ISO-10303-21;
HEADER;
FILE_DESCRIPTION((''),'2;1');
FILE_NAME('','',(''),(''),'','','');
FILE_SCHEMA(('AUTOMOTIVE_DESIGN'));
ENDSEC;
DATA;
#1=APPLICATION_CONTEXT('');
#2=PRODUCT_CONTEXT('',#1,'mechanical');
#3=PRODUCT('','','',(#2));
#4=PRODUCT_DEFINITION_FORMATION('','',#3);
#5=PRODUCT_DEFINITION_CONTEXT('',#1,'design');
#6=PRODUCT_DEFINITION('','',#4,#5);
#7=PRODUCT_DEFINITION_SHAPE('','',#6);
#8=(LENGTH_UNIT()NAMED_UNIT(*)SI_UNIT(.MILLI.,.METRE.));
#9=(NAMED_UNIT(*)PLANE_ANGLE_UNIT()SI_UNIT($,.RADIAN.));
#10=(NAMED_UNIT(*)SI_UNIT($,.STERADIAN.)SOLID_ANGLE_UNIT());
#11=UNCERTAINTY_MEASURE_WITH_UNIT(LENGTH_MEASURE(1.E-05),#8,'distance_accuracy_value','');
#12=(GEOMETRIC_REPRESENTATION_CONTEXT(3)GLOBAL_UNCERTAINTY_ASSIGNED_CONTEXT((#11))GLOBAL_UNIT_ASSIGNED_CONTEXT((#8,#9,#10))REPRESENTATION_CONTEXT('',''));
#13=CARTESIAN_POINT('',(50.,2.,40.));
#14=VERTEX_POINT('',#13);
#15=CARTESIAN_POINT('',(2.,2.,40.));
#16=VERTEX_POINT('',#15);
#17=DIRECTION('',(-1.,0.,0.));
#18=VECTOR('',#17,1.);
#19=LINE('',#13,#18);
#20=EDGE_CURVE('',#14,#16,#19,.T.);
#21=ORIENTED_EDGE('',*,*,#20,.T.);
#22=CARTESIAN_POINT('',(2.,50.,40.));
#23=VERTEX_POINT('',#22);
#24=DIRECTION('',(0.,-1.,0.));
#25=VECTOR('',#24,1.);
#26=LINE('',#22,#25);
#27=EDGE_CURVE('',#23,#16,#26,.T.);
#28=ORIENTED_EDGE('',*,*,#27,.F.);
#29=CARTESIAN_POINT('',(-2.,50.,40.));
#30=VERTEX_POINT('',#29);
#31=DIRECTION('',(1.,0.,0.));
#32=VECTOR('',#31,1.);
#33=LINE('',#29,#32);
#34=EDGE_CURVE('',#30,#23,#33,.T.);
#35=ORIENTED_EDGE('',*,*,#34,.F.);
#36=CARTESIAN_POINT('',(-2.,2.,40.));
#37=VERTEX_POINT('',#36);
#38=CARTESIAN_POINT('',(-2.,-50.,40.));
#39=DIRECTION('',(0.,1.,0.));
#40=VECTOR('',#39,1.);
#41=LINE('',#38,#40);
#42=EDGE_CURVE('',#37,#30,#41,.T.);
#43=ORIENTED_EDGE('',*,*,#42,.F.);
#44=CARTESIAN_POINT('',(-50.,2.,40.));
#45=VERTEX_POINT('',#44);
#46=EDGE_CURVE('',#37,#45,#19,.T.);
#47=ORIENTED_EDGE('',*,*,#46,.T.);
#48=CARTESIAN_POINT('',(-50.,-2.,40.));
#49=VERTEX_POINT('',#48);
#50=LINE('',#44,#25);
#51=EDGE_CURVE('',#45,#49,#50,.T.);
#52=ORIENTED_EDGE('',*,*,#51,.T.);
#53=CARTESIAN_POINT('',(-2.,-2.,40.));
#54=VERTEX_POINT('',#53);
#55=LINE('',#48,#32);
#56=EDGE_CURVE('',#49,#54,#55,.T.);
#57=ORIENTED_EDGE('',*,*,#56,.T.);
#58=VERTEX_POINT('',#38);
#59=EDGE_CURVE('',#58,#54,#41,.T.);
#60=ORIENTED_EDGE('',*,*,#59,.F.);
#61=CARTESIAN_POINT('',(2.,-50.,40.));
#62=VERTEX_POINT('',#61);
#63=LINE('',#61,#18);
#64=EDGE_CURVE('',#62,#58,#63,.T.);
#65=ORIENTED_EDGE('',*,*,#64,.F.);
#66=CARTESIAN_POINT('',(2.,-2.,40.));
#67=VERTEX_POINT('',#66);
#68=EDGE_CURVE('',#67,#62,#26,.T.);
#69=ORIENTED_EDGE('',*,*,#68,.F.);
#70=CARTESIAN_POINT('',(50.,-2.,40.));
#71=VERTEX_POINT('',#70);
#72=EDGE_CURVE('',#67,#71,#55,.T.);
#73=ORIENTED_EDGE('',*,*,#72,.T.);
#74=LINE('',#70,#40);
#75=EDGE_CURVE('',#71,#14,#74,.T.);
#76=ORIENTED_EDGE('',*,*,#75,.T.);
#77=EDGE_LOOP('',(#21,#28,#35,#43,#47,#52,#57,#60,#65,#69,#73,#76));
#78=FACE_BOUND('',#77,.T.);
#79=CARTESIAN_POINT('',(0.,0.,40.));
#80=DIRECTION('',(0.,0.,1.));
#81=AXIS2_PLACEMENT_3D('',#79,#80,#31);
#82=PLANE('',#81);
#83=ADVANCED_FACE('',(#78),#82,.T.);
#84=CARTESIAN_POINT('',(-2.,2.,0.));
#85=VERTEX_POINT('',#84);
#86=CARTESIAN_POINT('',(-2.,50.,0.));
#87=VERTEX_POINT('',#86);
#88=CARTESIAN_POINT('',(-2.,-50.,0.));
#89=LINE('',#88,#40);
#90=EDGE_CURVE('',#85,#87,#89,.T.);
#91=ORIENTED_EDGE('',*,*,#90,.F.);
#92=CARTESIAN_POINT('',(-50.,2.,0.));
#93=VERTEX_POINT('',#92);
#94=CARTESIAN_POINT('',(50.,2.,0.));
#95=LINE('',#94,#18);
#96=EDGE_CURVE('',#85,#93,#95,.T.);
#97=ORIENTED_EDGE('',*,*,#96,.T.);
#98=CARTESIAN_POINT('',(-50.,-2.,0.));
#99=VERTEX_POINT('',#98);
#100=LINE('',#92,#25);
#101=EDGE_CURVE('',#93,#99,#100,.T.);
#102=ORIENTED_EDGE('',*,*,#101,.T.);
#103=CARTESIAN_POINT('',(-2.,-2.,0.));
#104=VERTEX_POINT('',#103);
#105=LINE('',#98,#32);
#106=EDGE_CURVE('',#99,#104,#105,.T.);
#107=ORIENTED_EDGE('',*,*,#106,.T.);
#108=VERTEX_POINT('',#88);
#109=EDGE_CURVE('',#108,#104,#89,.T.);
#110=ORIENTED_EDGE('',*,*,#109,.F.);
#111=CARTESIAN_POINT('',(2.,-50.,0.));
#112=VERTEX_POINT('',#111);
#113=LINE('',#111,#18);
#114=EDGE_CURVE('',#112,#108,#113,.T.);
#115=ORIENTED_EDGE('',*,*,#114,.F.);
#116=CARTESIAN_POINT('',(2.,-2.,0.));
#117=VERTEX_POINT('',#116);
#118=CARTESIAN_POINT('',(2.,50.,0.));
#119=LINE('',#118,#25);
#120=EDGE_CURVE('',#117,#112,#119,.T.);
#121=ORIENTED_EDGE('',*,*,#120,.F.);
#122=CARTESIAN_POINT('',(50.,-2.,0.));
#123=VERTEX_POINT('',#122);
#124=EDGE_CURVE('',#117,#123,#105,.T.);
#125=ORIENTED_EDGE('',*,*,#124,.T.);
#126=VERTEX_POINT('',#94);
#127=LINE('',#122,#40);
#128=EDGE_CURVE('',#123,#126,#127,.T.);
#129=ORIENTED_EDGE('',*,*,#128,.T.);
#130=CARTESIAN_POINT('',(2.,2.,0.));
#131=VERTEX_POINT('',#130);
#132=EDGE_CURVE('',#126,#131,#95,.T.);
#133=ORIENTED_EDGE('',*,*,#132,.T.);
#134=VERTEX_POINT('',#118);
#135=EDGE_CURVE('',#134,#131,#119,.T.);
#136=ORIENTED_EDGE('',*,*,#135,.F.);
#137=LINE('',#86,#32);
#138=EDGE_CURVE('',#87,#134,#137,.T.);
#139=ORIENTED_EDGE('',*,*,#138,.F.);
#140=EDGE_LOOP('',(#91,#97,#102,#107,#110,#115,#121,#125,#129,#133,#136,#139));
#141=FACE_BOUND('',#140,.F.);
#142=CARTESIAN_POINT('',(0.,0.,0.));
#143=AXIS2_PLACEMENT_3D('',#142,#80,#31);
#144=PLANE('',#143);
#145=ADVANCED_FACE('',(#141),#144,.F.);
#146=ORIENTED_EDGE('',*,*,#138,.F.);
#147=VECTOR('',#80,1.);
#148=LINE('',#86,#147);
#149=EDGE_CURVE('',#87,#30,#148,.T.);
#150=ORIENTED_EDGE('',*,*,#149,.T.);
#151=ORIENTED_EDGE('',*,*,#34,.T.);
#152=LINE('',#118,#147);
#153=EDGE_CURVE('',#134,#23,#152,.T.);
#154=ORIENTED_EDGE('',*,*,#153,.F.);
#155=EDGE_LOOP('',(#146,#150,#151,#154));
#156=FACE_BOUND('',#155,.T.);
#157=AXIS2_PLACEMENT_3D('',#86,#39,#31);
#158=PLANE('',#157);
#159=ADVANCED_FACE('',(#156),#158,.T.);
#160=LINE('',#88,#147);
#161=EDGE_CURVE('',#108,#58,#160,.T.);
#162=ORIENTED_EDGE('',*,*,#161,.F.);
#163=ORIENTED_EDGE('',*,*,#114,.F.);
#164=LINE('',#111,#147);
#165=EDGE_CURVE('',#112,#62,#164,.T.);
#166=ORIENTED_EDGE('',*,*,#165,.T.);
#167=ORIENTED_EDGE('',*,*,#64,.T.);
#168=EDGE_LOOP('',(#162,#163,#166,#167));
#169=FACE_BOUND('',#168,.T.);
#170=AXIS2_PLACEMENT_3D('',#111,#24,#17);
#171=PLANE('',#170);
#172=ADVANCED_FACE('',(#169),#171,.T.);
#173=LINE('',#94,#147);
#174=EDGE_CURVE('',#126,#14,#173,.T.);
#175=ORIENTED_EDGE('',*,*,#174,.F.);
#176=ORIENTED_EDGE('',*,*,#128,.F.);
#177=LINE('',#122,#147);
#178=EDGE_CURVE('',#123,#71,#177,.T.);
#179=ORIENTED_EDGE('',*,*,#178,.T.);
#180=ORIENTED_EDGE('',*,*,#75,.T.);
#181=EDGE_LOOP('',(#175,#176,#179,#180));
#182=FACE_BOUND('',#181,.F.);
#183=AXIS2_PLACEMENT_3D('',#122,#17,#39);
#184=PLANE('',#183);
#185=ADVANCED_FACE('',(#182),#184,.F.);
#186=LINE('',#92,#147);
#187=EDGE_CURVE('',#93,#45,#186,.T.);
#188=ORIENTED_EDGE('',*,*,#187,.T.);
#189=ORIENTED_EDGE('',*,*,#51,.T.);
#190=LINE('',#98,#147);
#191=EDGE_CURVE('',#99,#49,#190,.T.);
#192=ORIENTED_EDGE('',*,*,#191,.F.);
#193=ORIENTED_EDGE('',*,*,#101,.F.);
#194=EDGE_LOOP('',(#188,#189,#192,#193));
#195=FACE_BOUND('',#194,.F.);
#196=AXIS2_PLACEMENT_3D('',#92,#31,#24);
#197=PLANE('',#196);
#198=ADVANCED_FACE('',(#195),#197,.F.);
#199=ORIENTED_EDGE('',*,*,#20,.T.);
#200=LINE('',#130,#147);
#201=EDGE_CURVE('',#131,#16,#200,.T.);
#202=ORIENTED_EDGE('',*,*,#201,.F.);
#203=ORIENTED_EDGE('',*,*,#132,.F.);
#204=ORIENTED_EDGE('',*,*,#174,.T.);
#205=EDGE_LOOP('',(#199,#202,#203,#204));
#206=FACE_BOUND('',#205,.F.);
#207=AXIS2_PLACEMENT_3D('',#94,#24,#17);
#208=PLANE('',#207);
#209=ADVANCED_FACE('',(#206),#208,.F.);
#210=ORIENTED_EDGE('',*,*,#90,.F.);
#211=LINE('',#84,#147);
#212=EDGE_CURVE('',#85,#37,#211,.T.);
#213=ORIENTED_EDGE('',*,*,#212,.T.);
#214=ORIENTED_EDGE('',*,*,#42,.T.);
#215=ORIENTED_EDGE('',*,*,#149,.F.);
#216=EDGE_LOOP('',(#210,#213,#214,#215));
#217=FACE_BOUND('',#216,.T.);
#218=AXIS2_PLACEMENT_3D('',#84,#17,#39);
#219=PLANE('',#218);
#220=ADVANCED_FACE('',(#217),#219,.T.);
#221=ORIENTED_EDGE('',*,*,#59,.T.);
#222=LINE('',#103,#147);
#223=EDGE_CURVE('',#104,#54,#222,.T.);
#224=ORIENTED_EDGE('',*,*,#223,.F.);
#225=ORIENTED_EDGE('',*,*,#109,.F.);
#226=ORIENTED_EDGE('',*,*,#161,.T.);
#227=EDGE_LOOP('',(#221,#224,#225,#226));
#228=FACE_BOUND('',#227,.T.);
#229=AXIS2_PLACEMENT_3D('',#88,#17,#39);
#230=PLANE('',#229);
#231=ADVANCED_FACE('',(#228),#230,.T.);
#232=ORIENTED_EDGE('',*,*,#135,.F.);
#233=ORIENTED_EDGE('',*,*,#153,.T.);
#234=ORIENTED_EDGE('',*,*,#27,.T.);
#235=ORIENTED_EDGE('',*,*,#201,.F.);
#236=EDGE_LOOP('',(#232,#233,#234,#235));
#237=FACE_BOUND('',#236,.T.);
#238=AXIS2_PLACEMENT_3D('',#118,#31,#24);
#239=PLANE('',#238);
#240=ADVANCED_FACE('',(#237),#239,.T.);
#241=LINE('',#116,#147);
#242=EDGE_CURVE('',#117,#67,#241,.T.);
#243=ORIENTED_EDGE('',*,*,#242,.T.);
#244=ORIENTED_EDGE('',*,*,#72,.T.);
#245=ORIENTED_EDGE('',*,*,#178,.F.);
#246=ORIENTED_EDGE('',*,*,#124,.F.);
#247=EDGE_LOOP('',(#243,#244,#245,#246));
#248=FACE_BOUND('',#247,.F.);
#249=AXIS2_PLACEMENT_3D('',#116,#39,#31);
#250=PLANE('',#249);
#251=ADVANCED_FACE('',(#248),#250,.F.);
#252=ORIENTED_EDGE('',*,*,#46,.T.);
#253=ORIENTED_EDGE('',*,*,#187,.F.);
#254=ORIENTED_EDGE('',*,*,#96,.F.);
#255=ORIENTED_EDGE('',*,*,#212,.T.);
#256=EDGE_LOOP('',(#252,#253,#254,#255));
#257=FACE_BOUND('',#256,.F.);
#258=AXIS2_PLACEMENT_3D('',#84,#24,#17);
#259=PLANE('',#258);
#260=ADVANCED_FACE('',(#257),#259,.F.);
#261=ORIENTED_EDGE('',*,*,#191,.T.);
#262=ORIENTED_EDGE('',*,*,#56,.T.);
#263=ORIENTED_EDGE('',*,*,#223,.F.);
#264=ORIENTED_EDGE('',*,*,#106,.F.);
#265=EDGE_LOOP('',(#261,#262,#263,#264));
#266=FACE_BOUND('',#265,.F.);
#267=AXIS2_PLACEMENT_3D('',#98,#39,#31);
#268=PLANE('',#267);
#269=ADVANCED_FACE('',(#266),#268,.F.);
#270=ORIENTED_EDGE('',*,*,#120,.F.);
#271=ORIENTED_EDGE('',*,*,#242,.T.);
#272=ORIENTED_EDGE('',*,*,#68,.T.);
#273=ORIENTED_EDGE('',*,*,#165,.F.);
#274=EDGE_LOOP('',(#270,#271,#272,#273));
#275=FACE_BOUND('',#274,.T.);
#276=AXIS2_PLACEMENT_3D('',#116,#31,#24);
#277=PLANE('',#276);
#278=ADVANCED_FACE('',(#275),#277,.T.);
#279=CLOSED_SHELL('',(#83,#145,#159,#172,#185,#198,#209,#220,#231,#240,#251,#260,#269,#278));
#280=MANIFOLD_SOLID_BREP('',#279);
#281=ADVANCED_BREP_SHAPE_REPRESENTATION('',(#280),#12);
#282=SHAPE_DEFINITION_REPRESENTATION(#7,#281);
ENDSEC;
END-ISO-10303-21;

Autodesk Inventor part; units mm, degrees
ref_plane "YZ Plane" through (0, 0, 0) normal (1, 0, 0) x (0, 1, 0)
ref_plane "XZ Plane" through (0, 0, 0) normal (0, 1, 0) x (-1, 0, 0)
ref_plane "XY Plane" through (0, 0, 0) normal (0, 0, 1) x (1, 0, 0)
sketch "Эскиз1" plane through (0, 0, 0) normal (0, 0, 1) x (1, 0, 0)
  circle A0 centre (0, 0) radius 75 construction
  line L0 (2, -50) -> (-2, -50)
  line L1 (-2, -50) -> (-2, 50)
  line L2 (-2, 50) -> (2, 50)
  line L3 (2, 50) -> (2, -50)
  line L4 (2, -50) -> (-2, 50) construction
  line L5 (-2, -50) -> (2, 50) construction
  line L6 (50, 2) -> (-50, 2)
  line L7 (-50, 2) -> (-50, -2)
  line L8 (-50, -2) -> (50, -2)
  line L9 (50, -2) -> (50, 2)
  line L10 (50, 2) -> (-50, -2) construction
  line L11 (-50, 2) -> (50, -2) construction
  point P0 (-2, 2)
  point P1 (-2, -2)
  point P2 (2, -2)
  point P3 (2, 2)
  dimension "d0" = 150
  dimension "d1" = 4
  dimension "d2" = 100
  dimension "d3" = 100
  dimension "d4" = 4
extrude "Выдавливание1" add sketch "Эскиз1" along normal blind 40
properties part number "крепление шеи1"
